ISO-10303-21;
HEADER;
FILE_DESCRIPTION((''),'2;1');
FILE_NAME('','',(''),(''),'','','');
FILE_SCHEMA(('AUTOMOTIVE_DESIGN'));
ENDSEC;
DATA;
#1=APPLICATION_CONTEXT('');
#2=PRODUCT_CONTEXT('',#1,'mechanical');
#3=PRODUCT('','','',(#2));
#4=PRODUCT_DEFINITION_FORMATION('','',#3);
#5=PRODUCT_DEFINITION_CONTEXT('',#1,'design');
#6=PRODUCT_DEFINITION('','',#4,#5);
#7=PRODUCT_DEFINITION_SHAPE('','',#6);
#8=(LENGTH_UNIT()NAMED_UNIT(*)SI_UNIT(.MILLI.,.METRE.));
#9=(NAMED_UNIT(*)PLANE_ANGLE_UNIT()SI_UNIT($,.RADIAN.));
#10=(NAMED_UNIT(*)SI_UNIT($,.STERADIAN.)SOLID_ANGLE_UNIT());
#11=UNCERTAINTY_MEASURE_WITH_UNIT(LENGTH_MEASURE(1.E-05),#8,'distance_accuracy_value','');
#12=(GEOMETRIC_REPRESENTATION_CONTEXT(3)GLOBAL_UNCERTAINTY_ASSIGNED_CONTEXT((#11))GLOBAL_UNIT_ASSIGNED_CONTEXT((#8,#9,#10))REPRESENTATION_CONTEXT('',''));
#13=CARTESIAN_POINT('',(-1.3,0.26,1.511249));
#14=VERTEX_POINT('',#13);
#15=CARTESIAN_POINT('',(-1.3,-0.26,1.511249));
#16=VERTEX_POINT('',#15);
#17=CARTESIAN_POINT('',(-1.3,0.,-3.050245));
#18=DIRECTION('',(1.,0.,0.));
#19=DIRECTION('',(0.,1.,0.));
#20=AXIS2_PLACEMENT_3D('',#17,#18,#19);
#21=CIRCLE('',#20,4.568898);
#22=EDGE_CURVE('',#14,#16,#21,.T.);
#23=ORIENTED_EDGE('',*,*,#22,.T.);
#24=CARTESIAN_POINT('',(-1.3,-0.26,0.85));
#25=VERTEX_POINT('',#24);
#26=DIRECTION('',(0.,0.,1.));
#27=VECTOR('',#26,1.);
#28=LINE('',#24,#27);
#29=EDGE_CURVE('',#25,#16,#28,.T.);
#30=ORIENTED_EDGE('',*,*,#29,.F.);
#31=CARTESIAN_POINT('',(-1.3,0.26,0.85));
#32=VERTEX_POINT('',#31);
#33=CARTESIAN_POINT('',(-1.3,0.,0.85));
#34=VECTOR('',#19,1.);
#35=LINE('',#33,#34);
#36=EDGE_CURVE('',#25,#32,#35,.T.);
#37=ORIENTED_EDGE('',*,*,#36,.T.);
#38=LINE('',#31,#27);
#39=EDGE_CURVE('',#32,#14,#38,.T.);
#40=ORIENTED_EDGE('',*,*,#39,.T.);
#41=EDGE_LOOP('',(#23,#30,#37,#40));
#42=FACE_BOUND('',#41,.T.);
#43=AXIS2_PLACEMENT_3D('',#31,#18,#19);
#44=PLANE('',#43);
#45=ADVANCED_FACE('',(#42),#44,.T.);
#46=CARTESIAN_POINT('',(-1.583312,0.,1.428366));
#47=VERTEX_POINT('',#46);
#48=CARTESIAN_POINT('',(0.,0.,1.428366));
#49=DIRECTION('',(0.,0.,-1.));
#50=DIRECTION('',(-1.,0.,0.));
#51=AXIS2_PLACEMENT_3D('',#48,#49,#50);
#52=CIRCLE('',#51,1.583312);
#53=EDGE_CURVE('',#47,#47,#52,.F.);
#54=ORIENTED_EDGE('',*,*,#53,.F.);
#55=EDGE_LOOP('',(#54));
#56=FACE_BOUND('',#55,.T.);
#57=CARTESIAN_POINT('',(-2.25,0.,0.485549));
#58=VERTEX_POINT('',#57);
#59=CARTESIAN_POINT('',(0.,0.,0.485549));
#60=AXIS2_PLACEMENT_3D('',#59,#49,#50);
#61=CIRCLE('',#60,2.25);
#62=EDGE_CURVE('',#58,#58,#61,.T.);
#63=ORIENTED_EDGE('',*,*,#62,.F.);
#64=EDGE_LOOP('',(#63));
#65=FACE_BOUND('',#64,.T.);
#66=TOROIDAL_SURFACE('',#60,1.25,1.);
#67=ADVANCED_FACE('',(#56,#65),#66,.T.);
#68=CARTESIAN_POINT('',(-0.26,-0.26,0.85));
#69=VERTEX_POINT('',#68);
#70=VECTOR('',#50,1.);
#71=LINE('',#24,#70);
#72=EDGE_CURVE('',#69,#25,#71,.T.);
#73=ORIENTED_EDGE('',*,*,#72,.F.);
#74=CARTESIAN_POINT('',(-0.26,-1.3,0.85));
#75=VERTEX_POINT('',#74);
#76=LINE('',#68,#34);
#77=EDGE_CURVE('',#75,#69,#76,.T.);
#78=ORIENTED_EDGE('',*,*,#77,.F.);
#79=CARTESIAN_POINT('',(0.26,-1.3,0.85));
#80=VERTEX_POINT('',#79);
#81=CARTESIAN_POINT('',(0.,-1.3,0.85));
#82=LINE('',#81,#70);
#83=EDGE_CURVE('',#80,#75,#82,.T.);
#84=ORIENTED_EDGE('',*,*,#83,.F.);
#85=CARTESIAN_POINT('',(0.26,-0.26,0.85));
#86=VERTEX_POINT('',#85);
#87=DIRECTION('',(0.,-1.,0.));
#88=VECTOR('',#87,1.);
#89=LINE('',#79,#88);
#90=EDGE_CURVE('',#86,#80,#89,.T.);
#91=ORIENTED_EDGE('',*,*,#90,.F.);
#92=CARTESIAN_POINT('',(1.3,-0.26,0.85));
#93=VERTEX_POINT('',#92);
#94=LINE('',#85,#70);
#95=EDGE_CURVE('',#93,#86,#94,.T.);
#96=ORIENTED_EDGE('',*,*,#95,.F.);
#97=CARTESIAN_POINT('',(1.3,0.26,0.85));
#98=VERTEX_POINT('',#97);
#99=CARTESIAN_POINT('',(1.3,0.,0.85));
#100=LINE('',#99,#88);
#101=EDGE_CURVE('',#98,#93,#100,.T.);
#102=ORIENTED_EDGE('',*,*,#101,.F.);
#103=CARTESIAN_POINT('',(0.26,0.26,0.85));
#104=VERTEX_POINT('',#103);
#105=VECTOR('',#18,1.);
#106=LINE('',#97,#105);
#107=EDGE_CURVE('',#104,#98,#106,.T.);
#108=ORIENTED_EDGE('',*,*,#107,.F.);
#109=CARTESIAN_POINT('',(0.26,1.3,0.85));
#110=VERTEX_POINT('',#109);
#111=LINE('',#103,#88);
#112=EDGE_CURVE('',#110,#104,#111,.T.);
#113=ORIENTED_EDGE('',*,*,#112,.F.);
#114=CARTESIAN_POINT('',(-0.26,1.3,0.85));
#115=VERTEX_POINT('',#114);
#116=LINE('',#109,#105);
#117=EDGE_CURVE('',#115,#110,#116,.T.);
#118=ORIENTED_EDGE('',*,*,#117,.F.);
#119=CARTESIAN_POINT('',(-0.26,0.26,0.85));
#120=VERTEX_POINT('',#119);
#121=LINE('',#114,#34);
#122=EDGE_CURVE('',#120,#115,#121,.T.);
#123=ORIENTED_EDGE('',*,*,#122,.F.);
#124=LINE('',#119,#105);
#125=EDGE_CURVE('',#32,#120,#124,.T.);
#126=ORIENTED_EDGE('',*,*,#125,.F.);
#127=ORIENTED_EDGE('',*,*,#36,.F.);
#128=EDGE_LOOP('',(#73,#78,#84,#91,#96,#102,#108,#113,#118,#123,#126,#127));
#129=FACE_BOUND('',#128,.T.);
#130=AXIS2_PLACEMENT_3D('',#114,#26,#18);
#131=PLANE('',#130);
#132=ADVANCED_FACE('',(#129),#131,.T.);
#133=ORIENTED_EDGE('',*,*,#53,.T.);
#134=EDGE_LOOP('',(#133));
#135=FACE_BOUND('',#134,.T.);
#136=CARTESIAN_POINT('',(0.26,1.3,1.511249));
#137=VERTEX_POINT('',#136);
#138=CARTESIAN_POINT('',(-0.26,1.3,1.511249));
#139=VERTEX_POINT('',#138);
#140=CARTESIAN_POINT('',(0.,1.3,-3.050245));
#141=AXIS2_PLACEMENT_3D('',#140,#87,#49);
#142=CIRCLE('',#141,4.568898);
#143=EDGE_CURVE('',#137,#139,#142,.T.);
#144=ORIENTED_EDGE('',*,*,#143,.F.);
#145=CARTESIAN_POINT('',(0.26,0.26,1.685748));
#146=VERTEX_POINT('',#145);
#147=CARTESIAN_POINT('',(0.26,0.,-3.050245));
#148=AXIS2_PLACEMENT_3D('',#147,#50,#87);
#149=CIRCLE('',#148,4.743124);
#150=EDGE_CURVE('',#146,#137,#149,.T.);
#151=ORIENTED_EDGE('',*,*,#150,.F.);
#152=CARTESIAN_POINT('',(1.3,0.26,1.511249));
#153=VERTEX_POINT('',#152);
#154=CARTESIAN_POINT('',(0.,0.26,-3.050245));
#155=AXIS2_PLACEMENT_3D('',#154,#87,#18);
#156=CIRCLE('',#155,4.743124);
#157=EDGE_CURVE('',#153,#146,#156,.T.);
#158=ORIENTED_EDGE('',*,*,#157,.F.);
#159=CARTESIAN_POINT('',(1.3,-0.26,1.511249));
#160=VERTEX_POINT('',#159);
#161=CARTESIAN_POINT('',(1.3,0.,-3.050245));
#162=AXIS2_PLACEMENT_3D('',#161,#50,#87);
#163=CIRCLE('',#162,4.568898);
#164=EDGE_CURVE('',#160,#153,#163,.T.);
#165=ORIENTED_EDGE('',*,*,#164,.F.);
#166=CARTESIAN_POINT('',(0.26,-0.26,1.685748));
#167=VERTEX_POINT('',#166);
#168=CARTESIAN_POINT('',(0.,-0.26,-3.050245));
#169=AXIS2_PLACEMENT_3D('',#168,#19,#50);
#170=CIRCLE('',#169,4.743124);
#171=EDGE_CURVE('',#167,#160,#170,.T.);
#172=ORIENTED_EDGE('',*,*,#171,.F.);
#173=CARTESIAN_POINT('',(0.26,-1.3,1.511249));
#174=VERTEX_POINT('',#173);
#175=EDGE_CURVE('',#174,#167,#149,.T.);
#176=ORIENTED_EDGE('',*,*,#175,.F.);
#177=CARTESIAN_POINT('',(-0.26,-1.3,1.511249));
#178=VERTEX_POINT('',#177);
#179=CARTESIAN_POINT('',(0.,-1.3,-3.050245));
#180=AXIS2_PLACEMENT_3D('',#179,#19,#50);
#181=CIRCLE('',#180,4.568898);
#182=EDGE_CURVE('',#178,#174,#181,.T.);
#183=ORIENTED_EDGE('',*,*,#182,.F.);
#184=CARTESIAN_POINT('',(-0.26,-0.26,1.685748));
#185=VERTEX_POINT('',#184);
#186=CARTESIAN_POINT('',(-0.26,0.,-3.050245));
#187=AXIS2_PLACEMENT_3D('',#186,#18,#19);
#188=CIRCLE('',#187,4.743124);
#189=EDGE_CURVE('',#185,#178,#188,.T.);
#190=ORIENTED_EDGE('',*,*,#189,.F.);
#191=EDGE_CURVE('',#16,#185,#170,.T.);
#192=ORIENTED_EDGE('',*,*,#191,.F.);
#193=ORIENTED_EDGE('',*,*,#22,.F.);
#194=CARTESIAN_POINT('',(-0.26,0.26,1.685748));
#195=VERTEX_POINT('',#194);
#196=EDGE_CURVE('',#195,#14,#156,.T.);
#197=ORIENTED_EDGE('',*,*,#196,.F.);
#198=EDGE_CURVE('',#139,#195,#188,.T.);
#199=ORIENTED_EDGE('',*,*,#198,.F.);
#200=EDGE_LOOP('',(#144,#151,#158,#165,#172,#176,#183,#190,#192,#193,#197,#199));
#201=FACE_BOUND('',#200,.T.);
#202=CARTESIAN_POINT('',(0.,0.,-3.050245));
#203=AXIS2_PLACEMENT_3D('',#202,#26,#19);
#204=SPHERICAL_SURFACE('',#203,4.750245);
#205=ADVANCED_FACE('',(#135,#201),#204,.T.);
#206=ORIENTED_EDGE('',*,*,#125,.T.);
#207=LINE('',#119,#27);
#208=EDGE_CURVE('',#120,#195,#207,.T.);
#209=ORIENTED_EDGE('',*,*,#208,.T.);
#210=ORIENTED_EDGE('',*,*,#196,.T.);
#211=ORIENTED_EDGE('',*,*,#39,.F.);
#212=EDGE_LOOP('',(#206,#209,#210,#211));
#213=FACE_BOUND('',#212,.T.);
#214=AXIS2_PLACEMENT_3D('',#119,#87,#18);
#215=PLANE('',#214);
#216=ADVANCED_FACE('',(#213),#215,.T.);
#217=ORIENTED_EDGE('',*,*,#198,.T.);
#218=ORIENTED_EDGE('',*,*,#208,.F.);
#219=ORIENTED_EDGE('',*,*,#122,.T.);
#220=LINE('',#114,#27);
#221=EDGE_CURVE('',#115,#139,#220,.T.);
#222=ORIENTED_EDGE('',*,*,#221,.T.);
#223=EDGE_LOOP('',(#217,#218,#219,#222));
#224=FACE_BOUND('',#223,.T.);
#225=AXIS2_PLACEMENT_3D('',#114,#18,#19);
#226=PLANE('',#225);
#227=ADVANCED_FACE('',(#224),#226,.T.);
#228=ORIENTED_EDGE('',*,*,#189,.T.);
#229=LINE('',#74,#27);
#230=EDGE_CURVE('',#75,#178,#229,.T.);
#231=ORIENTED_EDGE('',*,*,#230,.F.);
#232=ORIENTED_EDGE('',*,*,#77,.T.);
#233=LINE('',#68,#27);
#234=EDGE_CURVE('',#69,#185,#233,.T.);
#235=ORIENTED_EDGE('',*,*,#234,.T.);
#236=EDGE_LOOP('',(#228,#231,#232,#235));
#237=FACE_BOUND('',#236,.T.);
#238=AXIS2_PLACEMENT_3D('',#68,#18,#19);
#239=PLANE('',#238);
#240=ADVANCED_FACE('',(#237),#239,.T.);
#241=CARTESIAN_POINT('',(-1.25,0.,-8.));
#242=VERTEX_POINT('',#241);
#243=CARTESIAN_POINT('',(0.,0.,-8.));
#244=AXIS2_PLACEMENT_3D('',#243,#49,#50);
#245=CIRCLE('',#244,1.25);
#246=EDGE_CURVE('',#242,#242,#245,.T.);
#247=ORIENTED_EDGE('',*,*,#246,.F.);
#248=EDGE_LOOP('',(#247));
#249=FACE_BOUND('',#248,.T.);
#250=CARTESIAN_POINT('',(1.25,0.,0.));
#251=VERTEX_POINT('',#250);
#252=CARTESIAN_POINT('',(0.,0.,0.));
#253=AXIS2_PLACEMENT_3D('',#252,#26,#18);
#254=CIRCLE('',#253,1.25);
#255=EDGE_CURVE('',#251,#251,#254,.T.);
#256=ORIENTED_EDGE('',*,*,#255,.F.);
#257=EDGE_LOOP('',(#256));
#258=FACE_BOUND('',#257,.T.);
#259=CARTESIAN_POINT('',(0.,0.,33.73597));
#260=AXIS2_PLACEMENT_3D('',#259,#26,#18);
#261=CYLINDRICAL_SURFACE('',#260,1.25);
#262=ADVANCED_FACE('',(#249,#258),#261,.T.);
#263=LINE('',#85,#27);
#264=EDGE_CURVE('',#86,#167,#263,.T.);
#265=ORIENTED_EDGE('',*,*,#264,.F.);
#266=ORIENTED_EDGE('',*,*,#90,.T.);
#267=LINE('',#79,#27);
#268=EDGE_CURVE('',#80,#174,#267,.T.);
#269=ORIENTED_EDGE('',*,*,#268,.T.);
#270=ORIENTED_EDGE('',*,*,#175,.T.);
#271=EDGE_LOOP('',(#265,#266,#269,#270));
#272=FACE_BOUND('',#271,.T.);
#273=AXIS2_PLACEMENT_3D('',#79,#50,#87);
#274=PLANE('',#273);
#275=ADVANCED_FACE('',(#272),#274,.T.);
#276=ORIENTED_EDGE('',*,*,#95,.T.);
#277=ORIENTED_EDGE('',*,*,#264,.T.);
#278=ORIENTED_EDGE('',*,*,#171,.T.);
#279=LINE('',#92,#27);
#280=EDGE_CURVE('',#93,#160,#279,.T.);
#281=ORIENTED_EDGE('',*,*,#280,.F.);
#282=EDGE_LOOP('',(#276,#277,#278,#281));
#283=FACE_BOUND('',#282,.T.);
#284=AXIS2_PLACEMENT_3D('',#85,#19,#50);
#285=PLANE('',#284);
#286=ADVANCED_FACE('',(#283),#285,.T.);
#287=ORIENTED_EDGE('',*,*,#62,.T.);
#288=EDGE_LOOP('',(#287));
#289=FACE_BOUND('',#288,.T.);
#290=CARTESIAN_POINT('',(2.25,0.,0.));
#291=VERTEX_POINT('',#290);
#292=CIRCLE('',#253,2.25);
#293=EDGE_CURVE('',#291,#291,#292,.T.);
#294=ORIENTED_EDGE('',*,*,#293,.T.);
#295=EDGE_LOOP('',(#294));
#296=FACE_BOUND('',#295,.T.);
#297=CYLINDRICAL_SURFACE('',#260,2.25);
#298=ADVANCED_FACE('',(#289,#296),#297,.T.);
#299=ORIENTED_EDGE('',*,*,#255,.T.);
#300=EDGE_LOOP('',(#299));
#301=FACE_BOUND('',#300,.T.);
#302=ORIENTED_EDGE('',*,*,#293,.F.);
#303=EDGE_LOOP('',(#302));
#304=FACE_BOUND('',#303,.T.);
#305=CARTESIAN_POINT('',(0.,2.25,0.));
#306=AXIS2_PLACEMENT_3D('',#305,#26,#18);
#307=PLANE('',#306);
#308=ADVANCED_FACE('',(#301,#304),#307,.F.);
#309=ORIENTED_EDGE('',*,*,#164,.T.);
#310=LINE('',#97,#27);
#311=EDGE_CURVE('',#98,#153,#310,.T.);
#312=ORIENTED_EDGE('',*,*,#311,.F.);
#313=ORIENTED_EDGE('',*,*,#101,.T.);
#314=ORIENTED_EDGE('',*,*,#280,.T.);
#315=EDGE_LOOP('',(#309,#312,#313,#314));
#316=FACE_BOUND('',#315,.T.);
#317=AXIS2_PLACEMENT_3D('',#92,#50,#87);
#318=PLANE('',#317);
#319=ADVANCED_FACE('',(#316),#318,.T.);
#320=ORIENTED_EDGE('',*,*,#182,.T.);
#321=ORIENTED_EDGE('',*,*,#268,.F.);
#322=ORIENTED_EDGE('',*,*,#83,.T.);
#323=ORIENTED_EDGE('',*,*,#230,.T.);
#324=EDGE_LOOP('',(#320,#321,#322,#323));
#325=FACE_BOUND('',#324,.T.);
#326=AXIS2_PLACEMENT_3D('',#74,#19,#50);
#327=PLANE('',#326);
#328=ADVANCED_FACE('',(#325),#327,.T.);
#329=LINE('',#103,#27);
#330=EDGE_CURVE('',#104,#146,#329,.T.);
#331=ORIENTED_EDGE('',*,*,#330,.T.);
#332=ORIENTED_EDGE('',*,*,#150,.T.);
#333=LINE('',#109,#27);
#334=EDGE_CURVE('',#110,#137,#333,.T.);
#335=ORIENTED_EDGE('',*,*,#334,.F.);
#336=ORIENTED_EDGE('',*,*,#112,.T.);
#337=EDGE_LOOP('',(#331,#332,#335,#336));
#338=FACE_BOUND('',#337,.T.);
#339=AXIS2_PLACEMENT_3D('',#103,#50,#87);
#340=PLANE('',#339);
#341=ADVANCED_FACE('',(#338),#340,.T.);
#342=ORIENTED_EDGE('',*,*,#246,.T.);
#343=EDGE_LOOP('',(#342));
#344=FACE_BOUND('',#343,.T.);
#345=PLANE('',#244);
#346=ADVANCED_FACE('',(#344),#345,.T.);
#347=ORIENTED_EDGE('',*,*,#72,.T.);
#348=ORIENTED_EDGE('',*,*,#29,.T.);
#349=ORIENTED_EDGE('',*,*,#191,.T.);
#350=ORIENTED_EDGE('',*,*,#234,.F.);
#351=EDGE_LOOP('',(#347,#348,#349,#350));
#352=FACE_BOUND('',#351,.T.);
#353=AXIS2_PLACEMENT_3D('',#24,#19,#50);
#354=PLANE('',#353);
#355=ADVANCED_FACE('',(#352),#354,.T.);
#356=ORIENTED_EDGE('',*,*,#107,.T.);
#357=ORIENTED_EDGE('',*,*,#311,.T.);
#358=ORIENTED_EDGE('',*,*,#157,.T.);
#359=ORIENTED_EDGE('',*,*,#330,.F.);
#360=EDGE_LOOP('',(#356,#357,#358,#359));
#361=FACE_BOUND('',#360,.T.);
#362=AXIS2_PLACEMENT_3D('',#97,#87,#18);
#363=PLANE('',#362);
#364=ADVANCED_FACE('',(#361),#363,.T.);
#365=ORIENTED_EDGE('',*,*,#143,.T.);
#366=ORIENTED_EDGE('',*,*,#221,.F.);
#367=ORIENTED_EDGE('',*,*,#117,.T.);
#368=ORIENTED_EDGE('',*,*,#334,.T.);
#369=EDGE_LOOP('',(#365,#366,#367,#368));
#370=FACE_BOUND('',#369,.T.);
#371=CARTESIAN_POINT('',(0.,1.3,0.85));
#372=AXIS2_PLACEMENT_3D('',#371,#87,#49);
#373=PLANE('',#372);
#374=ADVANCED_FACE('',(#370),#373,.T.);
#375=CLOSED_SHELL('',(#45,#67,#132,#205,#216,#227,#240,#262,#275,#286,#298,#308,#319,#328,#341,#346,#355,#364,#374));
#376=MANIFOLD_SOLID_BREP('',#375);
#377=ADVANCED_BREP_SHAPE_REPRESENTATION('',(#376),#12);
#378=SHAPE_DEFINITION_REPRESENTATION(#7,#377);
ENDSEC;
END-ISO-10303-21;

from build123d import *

# Parameters (mm, degrees)
CUT_EXTRUDE2_DEPTH = 0.85
FILLET1_R          = 1
CHAMFER1_SIZE      = 0.225
ESQUISSE1_R        = 1.25
BOSS_EXTRU_1_DEPTH = 8


with BuildPart() as part:
    # Sketch1 → Revolve1 (revolve)
    with BuildSketch(Plane(origin=(0, 0, 0), x_dir=(0, 0, -1), z_dir=(1, 0, 0))):
        with BuildLine():
            Line((-1.133333333, 2.25), (0, 2.25))
            Line((0, 2.25), (0, 1.25))
            Line((0, 1.25), (4, 1.25))
            Line((4, 1.25), (4, 0))
            Line((4, 0), (-1.7, 0))
            ThreePointArc((-1.7, 0), (-1.556155418, 1.1601305), (-1.133333333, 2.25))
        make_face()
    revolve(axis=Axis((0, 0, 33.735969773), (0, 0, -1)))

    # Sketch2 → Cut-Extrude2 (cut)
    with BuildSketch(Plane(origin=(0, 0, 1.7), x_dir=(-1, 0, 0), z_dir=(0, 0, -1))):
        Polygon((0, 1.3), (0.26, 1.3), (0.26, 0.26), (1.3, 0.26), (1.3, 0), (1.3, -0.26), (0.26, -0.26), (0.26, -1.3), (0, -1.3), (-0.26, -1.3), (-0.26, -0.26), (-1.3, -0.26), (-1.3, 0), (-1.3, 0.26), (-0.26, 0.26), (-0.26, 1.3), align=None)
    extrude(amount=CUT_EXTRUDE2_DEPTH, mode=Mode.SUBTRACT)

    # Fillet1
    fillet1_edges = [part.edges().sort_by_distance(p)[0] for p in [
        (0, -2.25, 1.133333333),
    ]]
    fillet(fillet1_edges, radius=FILLET1_R)

    # Chamfer1
    chamfer1_edges = [part.edges().sort_by_distance(p)[0] for p in [
        (0, -1.25, -4),
    ]]
    chamfer(chamfer1_edges, length=CHAMFER1_SIZE)

    # Esquisse1 → Boss.-Extru.1 (add)
    with BuildSketch(Plane(origin=(0, 0, 0), x_dir=(-1, 0, 0), z_dir=(0, 0, -1))):
        Circle(ESQUISSE1_R)
    extrude(amount=BOSS_EXTRU_1_DEPTH)


solid = part.part
